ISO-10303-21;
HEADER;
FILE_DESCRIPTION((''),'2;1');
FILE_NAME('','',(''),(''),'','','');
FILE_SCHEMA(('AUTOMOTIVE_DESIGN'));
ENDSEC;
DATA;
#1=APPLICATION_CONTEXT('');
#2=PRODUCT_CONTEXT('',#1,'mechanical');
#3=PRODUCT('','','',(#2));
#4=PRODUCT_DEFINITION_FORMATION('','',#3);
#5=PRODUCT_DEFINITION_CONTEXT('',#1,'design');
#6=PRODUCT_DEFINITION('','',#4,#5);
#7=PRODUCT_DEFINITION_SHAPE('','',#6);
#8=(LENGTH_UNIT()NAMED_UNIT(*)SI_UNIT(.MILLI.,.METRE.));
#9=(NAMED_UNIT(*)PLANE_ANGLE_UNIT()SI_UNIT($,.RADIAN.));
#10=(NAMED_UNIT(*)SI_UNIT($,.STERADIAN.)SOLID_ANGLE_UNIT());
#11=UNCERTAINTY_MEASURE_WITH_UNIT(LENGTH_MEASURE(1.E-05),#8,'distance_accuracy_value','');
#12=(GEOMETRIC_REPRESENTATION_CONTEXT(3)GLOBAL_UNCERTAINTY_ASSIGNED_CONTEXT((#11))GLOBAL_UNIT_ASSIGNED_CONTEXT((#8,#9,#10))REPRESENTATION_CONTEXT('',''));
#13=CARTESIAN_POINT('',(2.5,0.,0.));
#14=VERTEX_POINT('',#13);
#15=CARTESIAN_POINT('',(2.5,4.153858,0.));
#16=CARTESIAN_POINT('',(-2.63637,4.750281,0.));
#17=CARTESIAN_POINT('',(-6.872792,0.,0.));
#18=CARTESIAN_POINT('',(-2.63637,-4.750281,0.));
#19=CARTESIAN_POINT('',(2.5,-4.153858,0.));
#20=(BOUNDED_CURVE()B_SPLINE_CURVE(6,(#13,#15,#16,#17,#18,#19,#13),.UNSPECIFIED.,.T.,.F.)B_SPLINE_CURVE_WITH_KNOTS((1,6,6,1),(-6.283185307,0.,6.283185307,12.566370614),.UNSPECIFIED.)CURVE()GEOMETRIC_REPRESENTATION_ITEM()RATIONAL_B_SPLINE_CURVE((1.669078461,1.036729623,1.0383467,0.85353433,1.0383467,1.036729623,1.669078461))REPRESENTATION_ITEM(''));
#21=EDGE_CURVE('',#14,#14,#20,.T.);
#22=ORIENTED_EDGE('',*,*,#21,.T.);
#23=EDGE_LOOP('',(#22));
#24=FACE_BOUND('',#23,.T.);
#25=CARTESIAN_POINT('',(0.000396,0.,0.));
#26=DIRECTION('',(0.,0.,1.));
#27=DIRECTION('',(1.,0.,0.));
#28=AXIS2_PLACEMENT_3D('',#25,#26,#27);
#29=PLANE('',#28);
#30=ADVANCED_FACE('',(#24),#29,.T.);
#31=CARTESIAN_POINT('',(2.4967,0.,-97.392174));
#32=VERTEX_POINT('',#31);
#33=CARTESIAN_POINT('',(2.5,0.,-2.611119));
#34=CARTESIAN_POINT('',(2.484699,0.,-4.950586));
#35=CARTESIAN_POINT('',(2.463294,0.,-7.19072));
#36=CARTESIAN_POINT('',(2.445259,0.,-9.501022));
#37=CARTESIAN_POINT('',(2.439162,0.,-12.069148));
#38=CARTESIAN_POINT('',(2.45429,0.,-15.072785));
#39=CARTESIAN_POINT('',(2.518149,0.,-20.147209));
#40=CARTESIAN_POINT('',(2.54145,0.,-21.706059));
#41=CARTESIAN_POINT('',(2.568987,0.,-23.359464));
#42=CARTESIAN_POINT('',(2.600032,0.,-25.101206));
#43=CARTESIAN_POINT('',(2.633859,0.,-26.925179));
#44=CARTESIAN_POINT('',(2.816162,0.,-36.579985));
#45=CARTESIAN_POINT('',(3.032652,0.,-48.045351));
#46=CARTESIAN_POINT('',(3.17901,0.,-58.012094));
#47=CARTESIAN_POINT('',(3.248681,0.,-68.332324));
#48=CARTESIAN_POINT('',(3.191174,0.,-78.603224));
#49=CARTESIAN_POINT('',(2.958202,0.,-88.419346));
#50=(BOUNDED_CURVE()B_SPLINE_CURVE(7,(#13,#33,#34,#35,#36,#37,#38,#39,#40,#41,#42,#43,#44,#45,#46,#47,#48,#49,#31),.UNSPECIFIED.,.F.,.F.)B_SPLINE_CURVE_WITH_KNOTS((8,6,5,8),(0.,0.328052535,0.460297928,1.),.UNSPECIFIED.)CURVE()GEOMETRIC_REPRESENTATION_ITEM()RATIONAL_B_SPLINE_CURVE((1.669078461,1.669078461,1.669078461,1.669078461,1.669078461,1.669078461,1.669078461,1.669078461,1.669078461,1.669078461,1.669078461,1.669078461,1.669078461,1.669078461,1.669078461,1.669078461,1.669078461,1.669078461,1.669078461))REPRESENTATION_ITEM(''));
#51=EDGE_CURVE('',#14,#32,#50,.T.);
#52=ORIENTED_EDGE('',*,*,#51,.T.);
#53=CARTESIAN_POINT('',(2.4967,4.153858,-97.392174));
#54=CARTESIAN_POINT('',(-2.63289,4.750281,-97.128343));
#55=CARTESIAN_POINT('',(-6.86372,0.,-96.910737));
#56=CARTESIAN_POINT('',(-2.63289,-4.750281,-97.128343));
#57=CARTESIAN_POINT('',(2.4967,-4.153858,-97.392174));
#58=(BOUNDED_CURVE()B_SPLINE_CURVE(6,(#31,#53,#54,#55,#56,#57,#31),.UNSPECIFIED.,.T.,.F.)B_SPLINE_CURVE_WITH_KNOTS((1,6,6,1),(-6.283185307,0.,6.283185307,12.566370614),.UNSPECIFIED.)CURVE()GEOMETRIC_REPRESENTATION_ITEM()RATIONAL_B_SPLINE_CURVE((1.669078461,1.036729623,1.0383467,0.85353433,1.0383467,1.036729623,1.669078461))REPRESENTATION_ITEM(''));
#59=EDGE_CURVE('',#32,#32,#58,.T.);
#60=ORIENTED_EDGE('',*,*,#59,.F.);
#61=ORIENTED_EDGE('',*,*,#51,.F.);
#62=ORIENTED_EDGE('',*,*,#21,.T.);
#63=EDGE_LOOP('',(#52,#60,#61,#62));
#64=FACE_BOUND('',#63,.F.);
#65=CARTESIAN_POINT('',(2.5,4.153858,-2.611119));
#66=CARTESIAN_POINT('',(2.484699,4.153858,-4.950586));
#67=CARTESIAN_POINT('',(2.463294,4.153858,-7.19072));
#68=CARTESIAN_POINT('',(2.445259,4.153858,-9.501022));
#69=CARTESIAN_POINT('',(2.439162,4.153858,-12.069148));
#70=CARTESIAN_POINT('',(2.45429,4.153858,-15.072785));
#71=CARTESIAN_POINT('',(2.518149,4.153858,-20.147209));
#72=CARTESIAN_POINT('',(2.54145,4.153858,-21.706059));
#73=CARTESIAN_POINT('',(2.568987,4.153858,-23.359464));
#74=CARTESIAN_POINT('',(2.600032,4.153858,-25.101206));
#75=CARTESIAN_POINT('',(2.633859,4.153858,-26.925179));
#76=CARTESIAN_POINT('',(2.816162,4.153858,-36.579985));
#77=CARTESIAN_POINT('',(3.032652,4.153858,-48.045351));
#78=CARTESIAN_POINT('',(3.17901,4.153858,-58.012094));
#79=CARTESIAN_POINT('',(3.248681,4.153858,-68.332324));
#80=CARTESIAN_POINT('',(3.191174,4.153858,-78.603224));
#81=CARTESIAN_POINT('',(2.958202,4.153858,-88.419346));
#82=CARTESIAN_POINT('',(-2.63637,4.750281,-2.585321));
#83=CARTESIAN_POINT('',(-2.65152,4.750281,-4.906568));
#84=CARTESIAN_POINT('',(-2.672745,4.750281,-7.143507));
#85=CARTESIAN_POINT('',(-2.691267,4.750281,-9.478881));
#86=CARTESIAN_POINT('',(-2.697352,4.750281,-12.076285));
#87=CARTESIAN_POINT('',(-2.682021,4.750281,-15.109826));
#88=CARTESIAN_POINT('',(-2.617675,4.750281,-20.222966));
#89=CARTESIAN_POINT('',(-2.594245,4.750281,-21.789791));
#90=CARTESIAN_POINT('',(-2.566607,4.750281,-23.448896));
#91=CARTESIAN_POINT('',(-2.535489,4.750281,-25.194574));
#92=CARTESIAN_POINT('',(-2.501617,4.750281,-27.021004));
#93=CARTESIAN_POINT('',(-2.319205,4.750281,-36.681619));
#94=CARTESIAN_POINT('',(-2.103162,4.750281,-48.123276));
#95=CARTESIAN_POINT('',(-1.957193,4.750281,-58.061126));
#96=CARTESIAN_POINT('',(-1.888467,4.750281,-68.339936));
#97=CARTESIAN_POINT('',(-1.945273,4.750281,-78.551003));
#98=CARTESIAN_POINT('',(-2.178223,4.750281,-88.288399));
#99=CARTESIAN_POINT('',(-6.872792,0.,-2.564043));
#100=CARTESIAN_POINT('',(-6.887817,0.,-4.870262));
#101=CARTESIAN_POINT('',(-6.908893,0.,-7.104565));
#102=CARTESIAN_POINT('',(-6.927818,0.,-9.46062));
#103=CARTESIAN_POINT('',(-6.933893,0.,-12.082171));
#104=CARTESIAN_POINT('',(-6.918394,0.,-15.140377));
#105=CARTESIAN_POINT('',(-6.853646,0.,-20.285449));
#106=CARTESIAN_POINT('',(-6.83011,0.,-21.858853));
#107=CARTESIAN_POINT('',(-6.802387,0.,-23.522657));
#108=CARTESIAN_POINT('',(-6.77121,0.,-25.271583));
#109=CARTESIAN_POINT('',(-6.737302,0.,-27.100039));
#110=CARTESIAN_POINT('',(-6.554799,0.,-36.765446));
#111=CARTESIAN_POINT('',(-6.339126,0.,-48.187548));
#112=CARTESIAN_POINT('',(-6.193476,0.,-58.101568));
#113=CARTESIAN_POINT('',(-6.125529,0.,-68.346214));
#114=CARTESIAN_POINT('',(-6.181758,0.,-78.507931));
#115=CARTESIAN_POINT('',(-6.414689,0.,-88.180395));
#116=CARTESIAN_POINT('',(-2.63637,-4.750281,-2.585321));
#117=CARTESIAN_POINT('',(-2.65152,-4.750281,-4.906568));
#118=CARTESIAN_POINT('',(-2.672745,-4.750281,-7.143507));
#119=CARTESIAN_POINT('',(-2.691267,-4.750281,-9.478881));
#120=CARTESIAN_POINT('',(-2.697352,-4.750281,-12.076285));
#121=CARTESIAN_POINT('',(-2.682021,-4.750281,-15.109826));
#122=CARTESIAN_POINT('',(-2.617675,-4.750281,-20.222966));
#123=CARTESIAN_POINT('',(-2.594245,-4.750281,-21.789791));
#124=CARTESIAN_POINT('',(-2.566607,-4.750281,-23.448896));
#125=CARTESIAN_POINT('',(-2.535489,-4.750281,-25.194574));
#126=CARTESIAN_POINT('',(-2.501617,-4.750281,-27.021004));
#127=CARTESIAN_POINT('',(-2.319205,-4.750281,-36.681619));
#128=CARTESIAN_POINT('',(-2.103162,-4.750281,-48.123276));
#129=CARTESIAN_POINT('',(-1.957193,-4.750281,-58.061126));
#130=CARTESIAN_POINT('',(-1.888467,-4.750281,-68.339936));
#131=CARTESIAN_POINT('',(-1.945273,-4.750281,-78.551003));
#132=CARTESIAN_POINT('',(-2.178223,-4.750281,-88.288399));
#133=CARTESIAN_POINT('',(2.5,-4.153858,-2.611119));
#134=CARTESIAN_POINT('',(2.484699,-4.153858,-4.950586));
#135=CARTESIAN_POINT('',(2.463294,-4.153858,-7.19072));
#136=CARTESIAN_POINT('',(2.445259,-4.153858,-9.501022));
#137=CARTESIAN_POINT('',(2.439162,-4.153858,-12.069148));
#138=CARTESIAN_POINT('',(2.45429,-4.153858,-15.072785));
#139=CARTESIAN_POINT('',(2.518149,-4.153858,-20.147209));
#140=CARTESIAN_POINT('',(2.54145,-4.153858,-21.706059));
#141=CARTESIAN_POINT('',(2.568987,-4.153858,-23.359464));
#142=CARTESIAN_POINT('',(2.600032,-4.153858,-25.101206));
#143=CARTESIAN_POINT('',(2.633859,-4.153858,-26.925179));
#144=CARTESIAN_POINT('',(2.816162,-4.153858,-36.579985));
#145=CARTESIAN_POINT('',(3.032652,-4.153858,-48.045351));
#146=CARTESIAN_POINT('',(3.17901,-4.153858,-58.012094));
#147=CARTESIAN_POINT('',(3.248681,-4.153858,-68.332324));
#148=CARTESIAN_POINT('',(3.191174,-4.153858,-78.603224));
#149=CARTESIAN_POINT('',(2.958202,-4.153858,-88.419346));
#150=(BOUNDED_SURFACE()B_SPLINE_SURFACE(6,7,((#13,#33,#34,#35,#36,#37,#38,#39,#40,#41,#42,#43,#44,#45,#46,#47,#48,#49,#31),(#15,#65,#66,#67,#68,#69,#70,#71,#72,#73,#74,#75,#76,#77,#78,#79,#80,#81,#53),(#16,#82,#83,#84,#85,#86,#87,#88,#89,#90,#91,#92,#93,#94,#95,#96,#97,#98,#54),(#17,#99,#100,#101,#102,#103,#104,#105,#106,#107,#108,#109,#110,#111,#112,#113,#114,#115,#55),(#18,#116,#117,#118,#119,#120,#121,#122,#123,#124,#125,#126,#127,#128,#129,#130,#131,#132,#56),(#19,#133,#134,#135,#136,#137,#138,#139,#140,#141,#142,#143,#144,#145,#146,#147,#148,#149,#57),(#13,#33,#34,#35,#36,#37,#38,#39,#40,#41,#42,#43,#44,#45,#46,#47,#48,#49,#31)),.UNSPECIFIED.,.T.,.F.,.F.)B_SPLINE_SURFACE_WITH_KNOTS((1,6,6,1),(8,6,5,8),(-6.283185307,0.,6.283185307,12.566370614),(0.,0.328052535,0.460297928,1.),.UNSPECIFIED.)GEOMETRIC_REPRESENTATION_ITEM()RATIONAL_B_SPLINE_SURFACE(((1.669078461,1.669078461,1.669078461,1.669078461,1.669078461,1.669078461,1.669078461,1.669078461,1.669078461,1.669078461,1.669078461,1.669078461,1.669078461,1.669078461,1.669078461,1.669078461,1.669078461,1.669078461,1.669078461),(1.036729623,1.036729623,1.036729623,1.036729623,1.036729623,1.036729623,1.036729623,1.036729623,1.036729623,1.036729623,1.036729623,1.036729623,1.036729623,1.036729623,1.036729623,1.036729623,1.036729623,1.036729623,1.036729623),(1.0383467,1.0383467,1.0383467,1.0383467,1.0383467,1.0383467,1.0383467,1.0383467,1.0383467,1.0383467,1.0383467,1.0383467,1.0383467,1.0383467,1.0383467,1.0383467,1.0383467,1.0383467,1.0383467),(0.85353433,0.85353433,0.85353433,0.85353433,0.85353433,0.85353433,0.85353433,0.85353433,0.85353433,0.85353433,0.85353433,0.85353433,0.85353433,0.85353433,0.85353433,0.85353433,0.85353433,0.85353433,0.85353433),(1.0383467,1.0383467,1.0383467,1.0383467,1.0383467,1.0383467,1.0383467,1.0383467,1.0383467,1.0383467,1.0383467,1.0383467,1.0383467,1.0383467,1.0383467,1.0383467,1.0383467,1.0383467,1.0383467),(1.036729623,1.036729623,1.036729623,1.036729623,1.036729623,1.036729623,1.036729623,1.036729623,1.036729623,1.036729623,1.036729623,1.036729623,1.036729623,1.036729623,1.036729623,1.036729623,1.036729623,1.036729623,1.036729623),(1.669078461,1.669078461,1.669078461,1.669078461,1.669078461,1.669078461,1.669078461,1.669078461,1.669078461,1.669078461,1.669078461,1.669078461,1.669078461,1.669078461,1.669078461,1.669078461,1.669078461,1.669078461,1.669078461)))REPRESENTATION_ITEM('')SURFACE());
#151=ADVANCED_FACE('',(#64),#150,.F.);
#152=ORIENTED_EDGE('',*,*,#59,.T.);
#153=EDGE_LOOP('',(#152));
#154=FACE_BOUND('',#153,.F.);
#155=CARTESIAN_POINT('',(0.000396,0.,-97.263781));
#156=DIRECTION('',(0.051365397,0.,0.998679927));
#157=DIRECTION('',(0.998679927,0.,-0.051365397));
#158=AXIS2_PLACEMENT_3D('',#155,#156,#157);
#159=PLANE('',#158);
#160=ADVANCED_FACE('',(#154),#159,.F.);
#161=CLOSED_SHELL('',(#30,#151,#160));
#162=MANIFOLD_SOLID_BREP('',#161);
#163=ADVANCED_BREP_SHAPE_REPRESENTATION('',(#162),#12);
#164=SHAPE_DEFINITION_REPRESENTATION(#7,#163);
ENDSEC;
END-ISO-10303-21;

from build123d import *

# Parameters (mm, degrees)
F0_R = 2.5


with BuildPart() as f2:
    # F2: sweep along a path in F1
    with BuildLine(Plane.XZ) as f2_path:
        add(Plane.XZ * Edge.make_bspline(
            [(0, 0), (0, -6.063312264), (-0.3249136475, -18.8282336212), (1.3310362119, -71.3848769665), (0, -97.2637608647)],
            knots=[0, 0, 0, 0, 0.328052535, 1, 1, 1, 1], degree=3))
    # F0 (on Top) → F2 (sweep)
    with BuildSketch(Plane.XY):
        Circle(F0_R)
    sweep(path=f2_path.line)


solid = f2.part
